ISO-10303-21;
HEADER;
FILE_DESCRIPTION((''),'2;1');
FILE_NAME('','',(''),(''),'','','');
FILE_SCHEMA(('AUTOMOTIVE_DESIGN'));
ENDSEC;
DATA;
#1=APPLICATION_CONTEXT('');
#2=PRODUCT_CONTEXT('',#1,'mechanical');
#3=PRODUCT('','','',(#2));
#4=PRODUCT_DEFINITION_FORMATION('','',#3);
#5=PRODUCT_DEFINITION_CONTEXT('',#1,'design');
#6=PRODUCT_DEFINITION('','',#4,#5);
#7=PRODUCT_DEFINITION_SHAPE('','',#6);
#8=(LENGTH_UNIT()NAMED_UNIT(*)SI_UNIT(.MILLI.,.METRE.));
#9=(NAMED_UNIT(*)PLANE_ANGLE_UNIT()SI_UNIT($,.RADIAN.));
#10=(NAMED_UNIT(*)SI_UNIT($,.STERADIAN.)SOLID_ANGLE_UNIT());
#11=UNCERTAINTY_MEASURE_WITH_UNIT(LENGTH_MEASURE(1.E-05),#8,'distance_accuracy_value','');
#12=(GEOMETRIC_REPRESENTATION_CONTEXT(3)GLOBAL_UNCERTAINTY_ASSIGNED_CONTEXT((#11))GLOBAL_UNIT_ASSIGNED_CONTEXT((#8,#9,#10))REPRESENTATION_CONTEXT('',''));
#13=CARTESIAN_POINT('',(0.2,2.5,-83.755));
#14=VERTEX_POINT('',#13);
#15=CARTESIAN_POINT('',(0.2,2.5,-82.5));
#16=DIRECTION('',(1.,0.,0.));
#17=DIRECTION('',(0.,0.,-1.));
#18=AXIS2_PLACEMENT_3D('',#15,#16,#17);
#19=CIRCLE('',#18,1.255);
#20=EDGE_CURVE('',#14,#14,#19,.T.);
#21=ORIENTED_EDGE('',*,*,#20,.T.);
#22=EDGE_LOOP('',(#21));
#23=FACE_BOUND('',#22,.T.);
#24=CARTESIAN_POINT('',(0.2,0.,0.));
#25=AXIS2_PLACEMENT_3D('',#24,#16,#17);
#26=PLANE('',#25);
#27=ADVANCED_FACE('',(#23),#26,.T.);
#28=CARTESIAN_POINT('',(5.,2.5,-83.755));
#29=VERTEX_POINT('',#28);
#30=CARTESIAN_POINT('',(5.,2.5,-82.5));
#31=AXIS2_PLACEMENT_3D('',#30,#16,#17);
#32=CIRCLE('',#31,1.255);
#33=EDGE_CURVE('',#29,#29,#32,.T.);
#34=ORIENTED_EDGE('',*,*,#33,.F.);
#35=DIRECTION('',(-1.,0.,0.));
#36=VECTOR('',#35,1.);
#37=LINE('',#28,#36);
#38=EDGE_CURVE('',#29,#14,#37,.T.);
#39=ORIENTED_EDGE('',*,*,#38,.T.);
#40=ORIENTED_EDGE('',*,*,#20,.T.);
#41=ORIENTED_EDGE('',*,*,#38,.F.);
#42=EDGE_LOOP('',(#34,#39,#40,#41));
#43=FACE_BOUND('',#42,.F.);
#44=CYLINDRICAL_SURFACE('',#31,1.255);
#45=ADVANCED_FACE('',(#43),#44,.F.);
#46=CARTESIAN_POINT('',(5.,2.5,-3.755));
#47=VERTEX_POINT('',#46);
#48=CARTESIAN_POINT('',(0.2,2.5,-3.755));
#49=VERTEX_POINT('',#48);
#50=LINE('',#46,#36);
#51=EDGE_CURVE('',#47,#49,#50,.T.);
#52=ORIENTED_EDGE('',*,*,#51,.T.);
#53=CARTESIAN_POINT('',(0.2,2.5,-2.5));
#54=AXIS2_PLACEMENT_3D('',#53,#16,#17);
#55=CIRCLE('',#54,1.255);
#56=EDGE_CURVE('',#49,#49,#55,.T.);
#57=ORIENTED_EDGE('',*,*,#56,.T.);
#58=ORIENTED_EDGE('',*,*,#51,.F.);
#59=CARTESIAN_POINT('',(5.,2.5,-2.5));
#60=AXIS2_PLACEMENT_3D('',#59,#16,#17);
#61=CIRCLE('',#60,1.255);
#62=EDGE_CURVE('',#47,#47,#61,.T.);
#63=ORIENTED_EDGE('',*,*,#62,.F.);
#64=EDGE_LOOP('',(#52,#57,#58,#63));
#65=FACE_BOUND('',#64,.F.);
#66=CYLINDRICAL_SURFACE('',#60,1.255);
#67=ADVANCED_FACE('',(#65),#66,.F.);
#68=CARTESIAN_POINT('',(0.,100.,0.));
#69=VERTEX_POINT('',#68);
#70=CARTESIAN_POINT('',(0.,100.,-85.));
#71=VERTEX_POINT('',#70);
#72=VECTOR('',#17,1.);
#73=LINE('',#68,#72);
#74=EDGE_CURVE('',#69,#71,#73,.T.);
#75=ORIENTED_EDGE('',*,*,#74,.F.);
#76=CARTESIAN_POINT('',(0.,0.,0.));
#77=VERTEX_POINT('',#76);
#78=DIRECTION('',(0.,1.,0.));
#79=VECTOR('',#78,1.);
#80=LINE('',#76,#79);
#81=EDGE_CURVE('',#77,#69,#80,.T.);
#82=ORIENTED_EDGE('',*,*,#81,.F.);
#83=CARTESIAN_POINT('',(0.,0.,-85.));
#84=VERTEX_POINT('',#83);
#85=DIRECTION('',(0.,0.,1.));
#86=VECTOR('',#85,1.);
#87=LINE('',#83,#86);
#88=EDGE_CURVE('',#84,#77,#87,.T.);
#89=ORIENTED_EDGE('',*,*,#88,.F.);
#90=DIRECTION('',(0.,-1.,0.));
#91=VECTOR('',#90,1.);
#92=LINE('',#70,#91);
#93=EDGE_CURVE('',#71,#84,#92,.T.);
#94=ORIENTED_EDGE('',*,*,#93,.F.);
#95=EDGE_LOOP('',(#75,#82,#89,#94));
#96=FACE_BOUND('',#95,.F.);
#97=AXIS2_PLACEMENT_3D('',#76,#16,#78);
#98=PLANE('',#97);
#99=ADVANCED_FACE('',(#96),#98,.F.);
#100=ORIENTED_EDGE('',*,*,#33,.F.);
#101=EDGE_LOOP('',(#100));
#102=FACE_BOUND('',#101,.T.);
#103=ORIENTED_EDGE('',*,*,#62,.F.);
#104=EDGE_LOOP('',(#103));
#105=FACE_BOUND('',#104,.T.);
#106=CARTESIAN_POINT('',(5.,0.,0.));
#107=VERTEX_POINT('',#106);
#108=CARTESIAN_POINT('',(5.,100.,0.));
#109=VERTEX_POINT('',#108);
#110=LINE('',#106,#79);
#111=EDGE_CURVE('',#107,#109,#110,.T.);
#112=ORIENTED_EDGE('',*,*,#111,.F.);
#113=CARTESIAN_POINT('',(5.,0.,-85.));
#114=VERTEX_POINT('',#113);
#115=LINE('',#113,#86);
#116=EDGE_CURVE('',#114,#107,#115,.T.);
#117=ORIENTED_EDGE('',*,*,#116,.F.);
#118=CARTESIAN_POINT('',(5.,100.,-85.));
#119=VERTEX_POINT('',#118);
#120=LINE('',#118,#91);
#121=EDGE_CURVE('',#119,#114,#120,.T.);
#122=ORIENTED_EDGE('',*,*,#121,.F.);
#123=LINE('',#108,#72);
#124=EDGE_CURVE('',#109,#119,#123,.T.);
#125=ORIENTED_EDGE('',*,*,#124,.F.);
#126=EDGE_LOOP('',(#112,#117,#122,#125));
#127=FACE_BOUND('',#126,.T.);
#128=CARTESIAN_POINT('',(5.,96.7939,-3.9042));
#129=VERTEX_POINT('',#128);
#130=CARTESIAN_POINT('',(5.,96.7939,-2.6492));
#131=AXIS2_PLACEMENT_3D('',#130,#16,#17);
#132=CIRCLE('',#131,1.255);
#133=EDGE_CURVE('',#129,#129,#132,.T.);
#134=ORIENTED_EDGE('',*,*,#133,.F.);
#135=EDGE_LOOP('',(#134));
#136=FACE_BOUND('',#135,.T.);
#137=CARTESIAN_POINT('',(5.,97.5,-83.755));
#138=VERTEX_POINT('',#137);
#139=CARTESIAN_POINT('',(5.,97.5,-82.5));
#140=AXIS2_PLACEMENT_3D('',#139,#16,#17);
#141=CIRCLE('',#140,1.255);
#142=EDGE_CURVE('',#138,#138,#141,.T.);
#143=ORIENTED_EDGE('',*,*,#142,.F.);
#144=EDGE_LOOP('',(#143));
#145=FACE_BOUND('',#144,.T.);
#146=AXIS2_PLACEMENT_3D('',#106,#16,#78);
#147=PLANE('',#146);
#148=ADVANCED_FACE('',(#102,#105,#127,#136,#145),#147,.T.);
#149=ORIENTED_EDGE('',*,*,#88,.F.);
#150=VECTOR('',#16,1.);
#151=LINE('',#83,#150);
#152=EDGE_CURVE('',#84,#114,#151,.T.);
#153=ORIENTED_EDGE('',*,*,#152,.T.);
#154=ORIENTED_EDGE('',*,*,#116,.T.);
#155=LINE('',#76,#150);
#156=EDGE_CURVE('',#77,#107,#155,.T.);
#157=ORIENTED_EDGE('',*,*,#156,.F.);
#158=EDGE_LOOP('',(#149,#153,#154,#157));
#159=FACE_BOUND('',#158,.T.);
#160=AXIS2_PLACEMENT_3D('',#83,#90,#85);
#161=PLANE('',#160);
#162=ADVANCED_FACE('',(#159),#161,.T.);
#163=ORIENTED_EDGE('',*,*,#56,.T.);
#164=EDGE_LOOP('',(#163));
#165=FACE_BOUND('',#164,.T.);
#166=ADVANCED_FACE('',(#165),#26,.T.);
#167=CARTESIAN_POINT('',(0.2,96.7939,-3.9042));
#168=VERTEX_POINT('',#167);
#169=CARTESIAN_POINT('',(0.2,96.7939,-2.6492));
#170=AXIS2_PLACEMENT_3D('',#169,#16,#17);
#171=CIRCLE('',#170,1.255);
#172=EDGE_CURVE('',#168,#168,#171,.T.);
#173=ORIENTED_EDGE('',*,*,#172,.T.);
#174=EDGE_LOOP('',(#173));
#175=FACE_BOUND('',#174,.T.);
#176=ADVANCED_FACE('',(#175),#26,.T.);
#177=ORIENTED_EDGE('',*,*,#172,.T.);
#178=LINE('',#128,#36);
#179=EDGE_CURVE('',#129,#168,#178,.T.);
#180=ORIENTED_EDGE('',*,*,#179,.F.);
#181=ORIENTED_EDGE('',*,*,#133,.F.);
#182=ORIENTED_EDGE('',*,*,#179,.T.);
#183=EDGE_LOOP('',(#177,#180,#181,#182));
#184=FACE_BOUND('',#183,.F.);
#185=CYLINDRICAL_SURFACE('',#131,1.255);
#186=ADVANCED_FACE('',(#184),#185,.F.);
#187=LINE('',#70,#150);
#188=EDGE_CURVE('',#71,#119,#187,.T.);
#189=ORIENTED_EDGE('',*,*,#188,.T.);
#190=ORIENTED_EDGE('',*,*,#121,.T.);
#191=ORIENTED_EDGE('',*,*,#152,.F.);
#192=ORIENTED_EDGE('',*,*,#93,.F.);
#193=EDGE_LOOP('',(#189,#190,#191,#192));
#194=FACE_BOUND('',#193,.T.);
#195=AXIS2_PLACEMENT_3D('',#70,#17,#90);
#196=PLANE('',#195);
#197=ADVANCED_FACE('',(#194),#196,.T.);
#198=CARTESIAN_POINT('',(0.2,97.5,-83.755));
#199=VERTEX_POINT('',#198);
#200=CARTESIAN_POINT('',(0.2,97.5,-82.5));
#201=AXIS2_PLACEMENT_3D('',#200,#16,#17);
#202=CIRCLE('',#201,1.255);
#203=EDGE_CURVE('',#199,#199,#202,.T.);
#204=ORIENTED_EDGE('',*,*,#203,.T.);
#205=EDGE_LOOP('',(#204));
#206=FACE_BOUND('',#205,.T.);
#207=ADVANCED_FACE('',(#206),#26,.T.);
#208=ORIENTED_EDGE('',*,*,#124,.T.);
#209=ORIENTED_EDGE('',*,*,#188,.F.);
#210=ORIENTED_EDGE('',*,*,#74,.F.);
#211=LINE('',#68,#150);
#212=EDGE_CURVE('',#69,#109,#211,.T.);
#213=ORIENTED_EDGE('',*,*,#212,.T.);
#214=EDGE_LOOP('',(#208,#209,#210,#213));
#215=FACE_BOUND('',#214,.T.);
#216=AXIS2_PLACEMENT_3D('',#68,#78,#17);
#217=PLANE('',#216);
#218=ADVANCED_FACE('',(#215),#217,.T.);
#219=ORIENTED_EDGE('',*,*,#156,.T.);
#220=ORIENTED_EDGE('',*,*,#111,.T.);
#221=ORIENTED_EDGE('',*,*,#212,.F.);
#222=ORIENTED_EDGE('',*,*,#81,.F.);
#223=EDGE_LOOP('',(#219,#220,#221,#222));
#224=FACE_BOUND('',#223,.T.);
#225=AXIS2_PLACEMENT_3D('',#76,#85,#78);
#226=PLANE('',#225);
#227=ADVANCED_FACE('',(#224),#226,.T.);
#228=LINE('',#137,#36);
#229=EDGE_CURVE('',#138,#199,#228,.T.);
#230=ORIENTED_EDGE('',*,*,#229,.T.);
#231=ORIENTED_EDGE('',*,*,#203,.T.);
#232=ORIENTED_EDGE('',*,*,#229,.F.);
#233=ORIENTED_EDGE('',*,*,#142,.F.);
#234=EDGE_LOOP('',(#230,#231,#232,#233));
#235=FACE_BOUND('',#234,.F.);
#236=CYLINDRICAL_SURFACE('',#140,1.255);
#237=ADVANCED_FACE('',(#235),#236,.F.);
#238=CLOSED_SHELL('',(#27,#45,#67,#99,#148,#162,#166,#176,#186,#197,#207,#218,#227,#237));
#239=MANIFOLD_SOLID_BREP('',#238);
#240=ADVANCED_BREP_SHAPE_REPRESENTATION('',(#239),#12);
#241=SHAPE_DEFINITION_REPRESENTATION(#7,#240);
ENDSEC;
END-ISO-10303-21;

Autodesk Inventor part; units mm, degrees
ref_plane "YZ Plane" through (0, 0, 0) normal (1, 0, 0) x (0, 1, 0)
ref_plane "XZ Plane" through (0, 0, 0) normal (0, 1, 0) x (-1, 0, 0)
ref_plane "XY Plane" through (0, 0, 0) normal (0, 0, 1) x (1, 0, 0)
sketch "Sketch1" plane through (0, 0, 0) normal (1, 0, 0) x (0, 1, 0)
  line L0 (0, 0) -> (100, 0)
  line L1 (100, 0) -> (100, -85)
  line L2 (100, -85) -> (0, -85)
  line L3 (0, -85) -> (0, 0)
  dimension "d0" = 100
  dimension "d1" = 85
  dimension "d2" = 100
extrude "Extrusion1" add sketch "Sketch1" along normal blind 5
sketch "Sketch2" plane through (5, 0, 0) normal (1, 0, 0) x (0, 0, -1)
  line L0 (3.7344, 0) -> (1.2344, 0) construction
  line L1 (0, 0) -> (85, 0) construction
  line L2 (1.2344, 0) -> (1.2344, 2.5) construction
  line L3 (0, 100) -> (0, 0) construction
  line L4 (0, 3.0654) -> (0, 5.5654) construction
  line L5 (0, 5.5654) -> (2.5, 5.5654) construction
  circle A0 centre (2.5, 2.5) radius 1.255
  line L6 (79.4667, 0) -> (79.4667, 2.5) construction
  line L7 (85, 0) -> (85, 100) construction
  line L8 (85, 3.0654) -> (85, 0.5654) construction
  line L9 (85, 0.5654) -> (82.5, 0.5654) construction
  circle A1 centre (82.5, 2.5) radius 1.255 construction
  circle A2 centre (82.5, 2.5) radius 1.255
  line L10 (85, 97.4626) -> (82.5, 97.4626) construction
  line L11 (85, 100) -> (0, 100) construction
  line L12 (81.6079, 100) -> (84.1079, 100) construction
  line L13 (84.1079, 100) -> (84.1079, 97.5) construction
  circle A3 centre (82.5, 97.5) radius 1.25 construction
  circle A4 centre (82.5, 97.5) radius 1.255
  line L14 (0, 96.7939) -> (2.5, 96.7939) construction
  line L15 (2.6492, 100) -> (2.6492, 97.5) construction
  circle A5 centre (2.6492, 96.7939) radius 1.255
  dimension "d5" = 2.5
  dimension "d6" = 2.5
  dimension "d7" = 2.5
  dimension "d8" = 2.5
  dimension "d9" = 2.51
  dimension "d10" = 2.5
  dimension "d11" = 2.5
  dimension "d12" = 2.5
  dimension "d13" = 2.51
  dimension "d14" = 2.51
  dimension "d15" = 2.5
  dimension "d16" = 2.5
  dimension "d17" = 2.5
  dimension "d18" = 2.5
  dimension "d19" = 2.51
  dimension "d20" = 2.5
  dimension "d21" = 2.5
  dimension "d22" = 2.51
extrude "Extrusion2" cut sketch "Sketch2" against normal blind 4.8
properties part number "weather_side"
